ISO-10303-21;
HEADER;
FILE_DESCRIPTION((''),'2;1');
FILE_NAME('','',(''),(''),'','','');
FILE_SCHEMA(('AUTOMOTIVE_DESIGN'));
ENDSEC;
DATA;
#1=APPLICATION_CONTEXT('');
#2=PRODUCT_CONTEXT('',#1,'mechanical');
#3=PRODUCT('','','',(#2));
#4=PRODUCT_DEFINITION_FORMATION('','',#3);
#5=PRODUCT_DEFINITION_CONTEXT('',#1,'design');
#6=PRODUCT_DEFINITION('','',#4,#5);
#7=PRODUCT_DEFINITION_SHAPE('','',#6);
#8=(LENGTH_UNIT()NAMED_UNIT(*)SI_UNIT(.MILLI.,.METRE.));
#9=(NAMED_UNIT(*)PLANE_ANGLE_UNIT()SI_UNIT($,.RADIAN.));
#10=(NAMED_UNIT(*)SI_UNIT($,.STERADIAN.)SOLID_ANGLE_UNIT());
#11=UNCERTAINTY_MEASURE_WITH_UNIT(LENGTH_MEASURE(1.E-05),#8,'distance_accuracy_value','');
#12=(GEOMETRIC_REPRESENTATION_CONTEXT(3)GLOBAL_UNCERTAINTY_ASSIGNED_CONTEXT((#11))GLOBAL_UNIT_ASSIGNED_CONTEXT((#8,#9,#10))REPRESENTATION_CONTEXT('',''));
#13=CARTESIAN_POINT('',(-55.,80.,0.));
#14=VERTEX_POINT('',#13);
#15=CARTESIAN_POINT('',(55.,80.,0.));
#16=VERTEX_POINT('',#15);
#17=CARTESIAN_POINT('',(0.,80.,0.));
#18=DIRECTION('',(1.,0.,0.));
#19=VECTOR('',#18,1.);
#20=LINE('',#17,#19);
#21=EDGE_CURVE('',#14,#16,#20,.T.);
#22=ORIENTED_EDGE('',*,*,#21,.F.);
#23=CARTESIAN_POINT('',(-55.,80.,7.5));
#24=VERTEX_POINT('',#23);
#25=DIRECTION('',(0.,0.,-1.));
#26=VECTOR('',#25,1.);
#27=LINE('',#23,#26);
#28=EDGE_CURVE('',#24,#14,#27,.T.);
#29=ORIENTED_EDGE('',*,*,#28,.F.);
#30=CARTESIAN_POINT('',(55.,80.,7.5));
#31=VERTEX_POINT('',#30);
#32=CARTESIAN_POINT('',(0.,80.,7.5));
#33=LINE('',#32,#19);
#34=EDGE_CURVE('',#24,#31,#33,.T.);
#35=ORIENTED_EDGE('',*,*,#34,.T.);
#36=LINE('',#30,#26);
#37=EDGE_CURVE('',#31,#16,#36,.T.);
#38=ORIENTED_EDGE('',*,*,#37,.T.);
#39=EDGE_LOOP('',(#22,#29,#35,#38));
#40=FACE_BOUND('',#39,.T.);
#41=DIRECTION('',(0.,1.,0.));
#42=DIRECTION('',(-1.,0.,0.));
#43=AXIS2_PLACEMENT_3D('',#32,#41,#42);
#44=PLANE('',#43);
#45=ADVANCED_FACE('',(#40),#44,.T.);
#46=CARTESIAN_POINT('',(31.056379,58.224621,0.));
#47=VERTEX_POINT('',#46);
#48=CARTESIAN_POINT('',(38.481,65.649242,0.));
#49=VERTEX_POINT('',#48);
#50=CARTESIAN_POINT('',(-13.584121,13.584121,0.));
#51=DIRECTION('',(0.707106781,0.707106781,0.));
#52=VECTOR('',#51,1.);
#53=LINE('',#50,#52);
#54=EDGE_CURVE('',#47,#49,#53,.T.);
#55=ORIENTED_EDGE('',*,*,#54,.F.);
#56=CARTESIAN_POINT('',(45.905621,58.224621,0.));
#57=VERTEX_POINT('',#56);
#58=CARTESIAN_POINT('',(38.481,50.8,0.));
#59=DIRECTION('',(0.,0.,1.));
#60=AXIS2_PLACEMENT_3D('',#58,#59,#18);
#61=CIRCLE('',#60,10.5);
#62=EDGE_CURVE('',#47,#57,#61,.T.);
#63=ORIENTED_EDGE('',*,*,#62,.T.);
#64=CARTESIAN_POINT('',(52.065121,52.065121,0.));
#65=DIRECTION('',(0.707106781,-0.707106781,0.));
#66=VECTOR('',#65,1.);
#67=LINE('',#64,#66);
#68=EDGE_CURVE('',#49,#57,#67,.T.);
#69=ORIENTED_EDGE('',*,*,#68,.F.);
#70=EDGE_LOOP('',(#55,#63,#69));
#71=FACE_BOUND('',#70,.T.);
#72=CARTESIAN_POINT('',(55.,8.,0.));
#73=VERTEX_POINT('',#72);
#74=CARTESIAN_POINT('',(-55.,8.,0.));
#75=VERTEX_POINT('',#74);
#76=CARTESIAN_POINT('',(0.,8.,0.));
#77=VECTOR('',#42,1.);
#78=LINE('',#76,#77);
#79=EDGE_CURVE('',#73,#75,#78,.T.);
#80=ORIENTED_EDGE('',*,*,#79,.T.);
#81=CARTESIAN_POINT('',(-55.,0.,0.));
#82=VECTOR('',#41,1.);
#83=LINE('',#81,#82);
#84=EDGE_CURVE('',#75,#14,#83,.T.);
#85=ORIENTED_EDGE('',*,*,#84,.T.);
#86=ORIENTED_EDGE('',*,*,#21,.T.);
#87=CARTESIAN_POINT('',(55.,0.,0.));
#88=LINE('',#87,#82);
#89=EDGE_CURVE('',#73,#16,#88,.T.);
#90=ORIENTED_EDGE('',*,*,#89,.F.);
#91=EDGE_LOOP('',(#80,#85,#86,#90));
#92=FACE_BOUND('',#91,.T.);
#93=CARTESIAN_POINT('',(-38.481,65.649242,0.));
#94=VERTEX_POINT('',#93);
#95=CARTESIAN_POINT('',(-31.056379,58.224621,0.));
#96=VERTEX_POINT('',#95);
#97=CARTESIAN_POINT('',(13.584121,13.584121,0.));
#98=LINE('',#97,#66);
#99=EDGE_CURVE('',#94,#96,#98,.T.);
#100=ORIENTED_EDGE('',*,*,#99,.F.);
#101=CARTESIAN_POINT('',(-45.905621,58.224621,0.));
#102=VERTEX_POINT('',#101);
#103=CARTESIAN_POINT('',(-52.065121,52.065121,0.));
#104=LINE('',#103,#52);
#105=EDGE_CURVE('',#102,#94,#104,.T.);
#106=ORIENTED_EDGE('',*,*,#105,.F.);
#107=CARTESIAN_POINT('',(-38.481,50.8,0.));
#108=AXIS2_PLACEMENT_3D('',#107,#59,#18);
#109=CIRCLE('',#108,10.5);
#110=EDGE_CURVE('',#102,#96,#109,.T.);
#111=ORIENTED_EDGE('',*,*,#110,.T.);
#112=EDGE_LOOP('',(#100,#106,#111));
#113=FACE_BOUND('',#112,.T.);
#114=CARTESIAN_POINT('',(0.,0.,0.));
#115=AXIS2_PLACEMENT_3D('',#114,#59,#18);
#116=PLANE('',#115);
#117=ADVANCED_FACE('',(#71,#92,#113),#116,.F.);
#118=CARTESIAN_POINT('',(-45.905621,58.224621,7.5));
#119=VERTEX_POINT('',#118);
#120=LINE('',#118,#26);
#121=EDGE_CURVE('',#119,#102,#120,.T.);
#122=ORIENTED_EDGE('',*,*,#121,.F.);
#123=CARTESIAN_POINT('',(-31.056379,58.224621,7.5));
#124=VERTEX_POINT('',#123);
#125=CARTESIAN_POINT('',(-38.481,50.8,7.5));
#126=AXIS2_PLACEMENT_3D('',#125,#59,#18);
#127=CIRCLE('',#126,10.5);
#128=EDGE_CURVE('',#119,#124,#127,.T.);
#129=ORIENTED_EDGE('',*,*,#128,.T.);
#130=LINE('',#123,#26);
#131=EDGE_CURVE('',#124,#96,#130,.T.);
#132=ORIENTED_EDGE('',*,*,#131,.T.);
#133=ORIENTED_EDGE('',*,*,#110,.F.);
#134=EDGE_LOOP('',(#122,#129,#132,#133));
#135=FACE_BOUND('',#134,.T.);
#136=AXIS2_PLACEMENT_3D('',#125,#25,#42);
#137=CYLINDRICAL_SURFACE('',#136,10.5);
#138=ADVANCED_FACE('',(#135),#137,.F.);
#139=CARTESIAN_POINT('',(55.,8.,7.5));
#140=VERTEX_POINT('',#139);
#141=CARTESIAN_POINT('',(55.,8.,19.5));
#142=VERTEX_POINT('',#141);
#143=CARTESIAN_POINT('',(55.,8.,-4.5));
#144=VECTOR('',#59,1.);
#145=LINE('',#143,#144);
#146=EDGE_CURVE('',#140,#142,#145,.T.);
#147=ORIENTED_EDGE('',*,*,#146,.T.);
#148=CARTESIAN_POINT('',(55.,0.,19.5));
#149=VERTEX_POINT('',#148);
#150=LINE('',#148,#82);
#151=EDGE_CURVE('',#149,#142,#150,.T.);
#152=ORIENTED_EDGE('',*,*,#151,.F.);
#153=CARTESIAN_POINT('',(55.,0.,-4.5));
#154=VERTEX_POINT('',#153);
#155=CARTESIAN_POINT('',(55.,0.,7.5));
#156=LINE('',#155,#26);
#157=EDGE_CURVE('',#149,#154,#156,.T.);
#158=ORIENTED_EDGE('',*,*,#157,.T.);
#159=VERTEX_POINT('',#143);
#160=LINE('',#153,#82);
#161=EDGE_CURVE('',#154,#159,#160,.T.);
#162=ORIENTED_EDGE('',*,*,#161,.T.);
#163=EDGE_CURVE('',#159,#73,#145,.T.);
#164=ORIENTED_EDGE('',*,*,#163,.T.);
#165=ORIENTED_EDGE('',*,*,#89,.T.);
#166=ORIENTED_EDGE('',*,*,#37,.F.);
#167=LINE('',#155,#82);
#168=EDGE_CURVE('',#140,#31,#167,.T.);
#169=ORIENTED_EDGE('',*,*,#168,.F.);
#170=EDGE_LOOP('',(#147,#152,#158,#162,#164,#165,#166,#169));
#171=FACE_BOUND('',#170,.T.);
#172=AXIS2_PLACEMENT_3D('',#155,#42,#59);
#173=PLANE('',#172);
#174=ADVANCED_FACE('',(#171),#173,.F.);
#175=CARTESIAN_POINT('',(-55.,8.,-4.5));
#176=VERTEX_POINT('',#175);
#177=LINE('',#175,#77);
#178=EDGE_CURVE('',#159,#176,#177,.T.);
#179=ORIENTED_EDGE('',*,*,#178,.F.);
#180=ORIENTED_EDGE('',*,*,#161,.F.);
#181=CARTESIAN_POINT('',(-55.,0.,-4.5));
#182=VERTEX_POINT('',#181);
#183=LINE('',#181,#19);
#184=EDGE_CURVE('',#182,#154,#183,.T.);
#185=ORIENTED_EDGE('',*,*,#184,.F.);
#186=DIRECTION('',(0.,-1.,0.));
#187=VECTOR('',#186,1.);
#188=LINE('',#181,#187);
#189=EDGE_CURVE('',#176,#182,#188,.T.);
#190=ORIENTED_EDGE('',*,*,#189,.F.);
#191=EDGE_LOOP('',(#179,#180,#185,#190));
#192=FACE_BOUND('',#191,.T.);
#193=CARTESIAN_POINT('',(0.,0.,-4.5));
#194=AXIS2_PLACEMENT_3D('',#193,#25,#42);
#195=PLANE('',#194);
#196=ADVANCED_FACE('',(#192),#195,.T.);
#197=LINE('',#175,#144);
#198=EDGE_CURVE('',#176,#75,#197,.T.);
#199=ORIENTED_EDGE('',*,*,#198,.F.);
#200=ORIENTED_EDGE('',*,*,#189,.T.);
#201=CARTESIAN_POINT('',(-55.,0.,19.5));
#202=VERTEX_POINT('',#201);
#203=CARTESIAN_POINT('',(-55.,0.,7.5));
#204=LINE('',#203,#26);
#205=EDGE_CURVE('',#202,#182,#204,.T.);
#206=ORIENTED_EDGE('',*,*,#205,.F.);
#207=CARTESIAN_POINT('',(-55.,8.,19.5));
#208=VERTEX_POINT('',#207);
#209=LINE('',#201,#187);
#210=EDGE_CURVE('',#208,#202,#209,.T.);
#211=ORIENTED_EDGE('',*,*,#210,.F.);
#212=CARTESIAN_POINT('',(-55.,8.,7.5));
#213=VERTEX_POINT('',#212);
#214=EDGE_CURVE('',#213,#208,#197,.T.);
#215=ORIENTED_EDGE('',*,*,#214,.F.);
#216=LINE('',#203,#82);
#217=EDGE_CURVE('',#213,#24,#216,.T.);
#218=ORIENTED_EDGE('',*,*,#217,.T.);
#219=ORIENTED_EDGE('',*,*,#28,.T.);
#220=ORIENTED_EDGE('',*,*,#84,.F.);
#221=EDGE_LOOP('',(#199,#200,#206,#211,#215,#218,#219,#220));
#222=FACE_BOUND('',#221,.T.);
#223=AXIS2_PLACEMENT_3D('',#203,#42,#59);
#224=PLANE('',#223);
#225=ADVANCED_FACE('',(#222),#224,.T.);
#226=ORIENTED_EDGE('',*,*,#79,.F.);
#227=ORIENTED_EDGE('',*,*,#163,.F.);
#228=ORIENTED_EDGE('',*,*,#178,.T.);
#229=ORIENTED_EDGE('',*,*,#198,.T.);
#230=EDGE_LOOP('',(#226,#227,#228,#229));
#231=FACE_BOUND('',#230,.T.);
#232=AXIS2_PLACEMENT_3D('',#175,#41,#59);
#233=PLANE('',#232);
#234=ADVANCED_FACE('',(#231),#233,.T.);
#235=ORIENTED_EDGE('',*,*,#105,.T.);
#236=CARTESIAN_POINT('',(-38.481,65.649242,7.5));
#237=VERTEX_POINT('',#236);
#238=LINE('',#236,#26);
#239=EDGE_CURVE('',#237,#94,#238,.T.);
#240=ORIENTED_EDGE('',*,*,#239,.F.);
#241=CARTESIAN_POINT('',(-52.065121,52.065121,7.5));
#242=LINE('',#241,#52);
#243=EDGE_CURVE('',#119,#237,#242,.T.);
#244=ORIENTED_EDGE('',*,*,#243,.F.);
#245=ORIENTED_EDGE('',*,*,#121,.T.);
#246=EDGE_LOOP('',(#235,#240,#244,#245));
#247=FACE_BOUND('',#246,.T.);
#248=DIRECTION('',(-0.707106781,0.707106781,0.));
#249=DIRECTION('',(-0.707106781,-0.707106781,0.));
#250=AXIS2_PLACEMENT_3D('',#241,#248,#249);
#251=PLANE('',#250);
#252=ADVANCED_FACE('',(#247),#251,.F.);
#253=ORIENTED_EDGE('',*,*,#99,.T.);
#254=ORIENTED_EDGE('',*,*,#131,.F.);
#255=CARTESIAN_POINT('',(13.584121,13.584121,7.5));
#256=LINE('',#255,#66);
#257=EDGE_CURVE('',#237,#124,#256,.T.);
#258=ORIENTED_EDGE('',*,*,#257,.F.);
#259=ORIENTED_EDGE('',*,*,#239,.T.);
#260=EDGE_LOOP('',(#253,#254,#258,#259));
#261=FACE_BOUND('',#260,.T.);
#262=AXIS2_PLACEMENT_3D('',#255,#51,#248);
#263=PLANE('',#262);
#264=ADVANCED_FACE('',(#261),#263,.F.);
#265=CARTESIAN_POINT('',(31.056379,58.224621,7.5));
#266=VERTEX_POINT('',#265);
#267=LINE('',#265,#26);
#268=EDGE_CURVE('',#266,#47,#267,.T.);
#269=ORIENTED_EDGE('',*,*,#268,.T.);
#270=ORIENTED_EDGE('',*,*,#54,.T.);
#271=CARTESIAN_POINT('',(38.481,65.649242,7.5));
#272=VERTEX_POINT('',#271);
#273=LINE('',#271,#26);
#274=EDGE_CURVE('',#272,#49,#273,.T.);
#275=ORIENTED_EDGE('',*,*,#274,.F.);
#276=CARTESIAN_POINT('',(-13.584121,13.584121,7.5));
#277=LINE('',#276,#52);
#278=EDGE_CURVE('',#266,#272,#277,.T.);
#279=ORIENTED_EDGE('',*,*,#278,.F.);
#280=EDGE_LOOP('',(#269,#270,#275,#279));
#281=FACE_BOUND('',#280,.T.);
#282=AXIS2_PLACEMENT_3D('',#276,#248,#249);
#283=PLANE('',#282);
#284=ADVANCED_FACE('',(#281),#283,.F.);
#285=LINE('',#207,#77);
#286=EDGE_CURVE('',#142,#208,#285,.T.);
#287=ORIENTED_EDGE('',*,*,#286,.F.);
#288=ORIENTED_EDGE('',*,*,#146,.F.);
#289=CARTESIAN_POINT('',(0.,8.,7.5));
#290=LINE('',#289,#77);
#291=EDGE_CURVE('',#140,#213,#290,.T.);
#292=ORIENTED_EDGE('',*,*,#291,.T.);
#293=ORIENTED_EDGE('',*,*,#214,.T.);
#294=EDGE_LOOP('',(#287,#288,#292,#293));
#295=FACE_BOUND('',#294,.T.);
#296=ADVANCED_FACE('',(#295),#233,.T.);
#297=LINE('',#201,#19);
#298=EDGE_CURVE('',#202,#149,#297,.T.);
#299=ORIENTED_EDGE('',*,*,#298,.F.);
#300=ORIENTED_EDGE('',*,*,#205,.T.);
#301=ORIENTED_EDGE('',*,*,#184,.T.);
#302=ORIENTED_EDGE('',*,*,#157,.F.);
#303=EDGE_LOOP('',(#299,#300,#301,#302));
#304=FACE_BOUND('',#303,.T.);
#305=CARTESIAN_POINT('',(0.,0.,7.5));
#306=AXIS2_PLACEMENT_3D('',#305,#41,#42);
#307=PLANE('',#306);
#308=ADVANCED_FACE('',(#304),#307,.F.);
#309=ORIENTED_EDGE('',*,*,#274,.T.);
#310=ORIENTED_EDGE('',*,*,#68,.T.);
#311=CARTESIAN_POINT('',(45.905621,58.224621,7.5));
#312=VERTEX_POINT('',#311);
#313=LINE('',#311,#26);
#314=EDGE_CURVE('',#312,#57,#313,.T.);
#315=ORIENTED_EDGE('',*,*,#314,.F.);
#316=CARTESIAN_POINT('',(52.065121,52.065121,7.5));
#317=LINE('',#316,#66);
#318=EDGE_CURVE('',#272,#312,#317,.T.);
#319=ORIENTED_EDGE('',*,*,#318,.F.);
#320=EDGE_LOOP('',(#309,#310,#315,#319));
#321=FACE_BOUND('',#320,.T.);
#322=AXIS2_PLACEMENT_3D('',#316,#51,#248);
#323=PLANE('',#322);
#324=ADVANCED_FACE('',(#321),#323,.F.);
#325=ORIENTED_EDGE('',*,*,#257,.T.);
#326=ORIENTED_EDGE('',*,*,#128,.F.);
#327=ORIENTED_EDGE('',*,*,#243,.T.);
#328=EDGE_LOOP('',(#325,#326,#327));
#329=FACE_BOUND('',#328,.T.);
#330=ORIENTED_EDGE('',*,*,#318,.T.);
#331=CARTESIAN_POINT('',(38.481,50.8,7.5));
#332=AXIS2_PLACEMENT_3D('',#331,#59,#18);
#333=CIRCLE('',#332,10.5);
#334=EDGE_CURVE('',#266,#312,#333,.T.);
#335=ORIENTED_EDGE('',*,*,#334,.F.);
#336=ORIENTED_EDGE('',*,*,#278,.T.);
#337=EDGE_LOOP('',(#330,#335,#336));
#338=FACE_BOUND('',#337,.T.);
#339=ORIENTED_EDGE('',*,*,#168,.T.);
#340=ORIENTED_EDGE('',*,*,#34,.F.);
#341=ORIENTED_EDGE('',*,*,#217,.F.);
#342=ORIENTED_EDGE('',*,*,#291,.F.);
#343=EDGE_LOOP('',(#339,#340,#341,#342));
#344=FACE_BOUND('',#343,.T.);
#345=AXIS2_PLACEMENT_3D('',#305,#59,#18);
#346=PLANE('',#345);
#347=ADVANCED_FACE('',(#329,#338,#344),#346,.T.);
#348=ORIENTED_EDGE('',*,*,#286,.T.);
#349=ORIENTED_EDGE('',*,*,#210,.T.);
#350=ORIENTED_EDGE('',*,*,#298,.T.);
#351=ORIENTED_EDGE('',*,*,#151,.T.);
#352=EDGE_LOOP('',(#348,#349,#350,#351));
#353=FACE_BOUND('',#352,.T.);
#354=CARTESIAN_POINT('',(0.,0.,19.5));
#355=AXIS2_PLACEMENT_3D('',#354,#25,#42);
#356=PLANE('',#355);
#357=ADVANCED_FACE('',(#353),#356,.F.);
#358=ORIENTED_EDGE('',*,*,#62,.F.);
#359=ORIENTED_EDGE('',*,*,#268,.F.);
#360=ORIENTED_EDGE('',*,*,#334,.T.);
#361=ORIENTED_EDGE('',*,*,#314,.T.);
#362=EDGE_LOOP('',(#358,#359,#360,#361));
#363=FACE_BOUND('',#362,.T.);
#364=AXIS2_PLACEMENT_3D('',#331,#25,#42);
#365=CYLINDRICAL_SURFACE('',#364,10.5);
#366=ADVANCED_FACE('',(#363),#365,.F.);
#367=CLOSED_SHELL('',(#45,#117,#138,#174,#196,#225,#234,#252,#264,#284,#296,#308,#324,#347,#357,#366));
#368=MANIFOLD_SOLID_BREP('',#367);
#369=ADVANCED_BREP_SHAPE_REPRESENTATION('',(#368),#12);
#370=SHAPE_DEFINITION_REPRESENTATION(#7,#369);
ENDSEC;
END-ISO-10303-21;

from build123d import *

# Parameters (mm, degrees)
SKETCH1_W                = 110
SKETCH1_H                = 80
BOSS_EXTRUDE1_DEPTH      = 7.5
SKETCH3_W                = 110
SKETCH3_H                = 8
BOSS_EXTRUDE2_DEPTH      = 12
BOSS_EXTRUDE2_DEPTH_BACK = 12


with BuildPart() as part:
    # Sketch1 → Boss-Extrude1 (new body)
    with BuildSketch(Plane.XY):
        with Locations((0, 40)):
            Rectangle(SKETCH1_W, SKETCH1_H)
        with BuildLine():
            ThreePointArc((-27.981, 50.8), (-42.49917604, 41.099264909), (-45.905621202, 58.224621202))
            Line((-45.905621202, 58.224621202), (-38.481, 65.649242405))
            Line((-38.481, 65.649242405), (-31.056378798, 58.224621202))
            ThreePointArc((-31.056378798, 58.224621202), (-28.780264909, 54.81817604), (-27.981, 50.8))
        make_face(mode=Mode.SUBTRACT)
        with BuildLine():
            ThreePointArc((27.981, 50.8), (28.780264909, 54.81817604), (31.056378798, 58.224621202))
            Line((31.056378798, 58.224621202), (38.481, 65.649242405))
            Line((38.481, 65.649242405), (45.905621202, 58.224621202))
            ThreePointArc((45.905621202, 58.224621202), (48.181735091, 54.81817604), (48.981, 50.8))
            ThreePointArc((48.981, 50.8), (38.481, 40.3), (27.981, 50.8))
        make_face(mode=Mode.SUBTRACT)
    extrude(amount=BOSS_EXTRUDE1_DEPTH)

    # Sketch3 → Boss-Extrude2 (add, two sides)
    with BuildSketch(Plane.XY.offset(7.5)) as boss_extrude2_sk:
        with Locations((0, 4)):
            Rectangle(SKETCH3_W, SKETCH3_H)
    extrude(amount=BOSS_EXTRUDE2_DEPTH)
    extrude(boss_extrude2_sk.sketch, amount=-BOSS_EXTRUDE2_DEPTH_BACK)


solid = part.part
